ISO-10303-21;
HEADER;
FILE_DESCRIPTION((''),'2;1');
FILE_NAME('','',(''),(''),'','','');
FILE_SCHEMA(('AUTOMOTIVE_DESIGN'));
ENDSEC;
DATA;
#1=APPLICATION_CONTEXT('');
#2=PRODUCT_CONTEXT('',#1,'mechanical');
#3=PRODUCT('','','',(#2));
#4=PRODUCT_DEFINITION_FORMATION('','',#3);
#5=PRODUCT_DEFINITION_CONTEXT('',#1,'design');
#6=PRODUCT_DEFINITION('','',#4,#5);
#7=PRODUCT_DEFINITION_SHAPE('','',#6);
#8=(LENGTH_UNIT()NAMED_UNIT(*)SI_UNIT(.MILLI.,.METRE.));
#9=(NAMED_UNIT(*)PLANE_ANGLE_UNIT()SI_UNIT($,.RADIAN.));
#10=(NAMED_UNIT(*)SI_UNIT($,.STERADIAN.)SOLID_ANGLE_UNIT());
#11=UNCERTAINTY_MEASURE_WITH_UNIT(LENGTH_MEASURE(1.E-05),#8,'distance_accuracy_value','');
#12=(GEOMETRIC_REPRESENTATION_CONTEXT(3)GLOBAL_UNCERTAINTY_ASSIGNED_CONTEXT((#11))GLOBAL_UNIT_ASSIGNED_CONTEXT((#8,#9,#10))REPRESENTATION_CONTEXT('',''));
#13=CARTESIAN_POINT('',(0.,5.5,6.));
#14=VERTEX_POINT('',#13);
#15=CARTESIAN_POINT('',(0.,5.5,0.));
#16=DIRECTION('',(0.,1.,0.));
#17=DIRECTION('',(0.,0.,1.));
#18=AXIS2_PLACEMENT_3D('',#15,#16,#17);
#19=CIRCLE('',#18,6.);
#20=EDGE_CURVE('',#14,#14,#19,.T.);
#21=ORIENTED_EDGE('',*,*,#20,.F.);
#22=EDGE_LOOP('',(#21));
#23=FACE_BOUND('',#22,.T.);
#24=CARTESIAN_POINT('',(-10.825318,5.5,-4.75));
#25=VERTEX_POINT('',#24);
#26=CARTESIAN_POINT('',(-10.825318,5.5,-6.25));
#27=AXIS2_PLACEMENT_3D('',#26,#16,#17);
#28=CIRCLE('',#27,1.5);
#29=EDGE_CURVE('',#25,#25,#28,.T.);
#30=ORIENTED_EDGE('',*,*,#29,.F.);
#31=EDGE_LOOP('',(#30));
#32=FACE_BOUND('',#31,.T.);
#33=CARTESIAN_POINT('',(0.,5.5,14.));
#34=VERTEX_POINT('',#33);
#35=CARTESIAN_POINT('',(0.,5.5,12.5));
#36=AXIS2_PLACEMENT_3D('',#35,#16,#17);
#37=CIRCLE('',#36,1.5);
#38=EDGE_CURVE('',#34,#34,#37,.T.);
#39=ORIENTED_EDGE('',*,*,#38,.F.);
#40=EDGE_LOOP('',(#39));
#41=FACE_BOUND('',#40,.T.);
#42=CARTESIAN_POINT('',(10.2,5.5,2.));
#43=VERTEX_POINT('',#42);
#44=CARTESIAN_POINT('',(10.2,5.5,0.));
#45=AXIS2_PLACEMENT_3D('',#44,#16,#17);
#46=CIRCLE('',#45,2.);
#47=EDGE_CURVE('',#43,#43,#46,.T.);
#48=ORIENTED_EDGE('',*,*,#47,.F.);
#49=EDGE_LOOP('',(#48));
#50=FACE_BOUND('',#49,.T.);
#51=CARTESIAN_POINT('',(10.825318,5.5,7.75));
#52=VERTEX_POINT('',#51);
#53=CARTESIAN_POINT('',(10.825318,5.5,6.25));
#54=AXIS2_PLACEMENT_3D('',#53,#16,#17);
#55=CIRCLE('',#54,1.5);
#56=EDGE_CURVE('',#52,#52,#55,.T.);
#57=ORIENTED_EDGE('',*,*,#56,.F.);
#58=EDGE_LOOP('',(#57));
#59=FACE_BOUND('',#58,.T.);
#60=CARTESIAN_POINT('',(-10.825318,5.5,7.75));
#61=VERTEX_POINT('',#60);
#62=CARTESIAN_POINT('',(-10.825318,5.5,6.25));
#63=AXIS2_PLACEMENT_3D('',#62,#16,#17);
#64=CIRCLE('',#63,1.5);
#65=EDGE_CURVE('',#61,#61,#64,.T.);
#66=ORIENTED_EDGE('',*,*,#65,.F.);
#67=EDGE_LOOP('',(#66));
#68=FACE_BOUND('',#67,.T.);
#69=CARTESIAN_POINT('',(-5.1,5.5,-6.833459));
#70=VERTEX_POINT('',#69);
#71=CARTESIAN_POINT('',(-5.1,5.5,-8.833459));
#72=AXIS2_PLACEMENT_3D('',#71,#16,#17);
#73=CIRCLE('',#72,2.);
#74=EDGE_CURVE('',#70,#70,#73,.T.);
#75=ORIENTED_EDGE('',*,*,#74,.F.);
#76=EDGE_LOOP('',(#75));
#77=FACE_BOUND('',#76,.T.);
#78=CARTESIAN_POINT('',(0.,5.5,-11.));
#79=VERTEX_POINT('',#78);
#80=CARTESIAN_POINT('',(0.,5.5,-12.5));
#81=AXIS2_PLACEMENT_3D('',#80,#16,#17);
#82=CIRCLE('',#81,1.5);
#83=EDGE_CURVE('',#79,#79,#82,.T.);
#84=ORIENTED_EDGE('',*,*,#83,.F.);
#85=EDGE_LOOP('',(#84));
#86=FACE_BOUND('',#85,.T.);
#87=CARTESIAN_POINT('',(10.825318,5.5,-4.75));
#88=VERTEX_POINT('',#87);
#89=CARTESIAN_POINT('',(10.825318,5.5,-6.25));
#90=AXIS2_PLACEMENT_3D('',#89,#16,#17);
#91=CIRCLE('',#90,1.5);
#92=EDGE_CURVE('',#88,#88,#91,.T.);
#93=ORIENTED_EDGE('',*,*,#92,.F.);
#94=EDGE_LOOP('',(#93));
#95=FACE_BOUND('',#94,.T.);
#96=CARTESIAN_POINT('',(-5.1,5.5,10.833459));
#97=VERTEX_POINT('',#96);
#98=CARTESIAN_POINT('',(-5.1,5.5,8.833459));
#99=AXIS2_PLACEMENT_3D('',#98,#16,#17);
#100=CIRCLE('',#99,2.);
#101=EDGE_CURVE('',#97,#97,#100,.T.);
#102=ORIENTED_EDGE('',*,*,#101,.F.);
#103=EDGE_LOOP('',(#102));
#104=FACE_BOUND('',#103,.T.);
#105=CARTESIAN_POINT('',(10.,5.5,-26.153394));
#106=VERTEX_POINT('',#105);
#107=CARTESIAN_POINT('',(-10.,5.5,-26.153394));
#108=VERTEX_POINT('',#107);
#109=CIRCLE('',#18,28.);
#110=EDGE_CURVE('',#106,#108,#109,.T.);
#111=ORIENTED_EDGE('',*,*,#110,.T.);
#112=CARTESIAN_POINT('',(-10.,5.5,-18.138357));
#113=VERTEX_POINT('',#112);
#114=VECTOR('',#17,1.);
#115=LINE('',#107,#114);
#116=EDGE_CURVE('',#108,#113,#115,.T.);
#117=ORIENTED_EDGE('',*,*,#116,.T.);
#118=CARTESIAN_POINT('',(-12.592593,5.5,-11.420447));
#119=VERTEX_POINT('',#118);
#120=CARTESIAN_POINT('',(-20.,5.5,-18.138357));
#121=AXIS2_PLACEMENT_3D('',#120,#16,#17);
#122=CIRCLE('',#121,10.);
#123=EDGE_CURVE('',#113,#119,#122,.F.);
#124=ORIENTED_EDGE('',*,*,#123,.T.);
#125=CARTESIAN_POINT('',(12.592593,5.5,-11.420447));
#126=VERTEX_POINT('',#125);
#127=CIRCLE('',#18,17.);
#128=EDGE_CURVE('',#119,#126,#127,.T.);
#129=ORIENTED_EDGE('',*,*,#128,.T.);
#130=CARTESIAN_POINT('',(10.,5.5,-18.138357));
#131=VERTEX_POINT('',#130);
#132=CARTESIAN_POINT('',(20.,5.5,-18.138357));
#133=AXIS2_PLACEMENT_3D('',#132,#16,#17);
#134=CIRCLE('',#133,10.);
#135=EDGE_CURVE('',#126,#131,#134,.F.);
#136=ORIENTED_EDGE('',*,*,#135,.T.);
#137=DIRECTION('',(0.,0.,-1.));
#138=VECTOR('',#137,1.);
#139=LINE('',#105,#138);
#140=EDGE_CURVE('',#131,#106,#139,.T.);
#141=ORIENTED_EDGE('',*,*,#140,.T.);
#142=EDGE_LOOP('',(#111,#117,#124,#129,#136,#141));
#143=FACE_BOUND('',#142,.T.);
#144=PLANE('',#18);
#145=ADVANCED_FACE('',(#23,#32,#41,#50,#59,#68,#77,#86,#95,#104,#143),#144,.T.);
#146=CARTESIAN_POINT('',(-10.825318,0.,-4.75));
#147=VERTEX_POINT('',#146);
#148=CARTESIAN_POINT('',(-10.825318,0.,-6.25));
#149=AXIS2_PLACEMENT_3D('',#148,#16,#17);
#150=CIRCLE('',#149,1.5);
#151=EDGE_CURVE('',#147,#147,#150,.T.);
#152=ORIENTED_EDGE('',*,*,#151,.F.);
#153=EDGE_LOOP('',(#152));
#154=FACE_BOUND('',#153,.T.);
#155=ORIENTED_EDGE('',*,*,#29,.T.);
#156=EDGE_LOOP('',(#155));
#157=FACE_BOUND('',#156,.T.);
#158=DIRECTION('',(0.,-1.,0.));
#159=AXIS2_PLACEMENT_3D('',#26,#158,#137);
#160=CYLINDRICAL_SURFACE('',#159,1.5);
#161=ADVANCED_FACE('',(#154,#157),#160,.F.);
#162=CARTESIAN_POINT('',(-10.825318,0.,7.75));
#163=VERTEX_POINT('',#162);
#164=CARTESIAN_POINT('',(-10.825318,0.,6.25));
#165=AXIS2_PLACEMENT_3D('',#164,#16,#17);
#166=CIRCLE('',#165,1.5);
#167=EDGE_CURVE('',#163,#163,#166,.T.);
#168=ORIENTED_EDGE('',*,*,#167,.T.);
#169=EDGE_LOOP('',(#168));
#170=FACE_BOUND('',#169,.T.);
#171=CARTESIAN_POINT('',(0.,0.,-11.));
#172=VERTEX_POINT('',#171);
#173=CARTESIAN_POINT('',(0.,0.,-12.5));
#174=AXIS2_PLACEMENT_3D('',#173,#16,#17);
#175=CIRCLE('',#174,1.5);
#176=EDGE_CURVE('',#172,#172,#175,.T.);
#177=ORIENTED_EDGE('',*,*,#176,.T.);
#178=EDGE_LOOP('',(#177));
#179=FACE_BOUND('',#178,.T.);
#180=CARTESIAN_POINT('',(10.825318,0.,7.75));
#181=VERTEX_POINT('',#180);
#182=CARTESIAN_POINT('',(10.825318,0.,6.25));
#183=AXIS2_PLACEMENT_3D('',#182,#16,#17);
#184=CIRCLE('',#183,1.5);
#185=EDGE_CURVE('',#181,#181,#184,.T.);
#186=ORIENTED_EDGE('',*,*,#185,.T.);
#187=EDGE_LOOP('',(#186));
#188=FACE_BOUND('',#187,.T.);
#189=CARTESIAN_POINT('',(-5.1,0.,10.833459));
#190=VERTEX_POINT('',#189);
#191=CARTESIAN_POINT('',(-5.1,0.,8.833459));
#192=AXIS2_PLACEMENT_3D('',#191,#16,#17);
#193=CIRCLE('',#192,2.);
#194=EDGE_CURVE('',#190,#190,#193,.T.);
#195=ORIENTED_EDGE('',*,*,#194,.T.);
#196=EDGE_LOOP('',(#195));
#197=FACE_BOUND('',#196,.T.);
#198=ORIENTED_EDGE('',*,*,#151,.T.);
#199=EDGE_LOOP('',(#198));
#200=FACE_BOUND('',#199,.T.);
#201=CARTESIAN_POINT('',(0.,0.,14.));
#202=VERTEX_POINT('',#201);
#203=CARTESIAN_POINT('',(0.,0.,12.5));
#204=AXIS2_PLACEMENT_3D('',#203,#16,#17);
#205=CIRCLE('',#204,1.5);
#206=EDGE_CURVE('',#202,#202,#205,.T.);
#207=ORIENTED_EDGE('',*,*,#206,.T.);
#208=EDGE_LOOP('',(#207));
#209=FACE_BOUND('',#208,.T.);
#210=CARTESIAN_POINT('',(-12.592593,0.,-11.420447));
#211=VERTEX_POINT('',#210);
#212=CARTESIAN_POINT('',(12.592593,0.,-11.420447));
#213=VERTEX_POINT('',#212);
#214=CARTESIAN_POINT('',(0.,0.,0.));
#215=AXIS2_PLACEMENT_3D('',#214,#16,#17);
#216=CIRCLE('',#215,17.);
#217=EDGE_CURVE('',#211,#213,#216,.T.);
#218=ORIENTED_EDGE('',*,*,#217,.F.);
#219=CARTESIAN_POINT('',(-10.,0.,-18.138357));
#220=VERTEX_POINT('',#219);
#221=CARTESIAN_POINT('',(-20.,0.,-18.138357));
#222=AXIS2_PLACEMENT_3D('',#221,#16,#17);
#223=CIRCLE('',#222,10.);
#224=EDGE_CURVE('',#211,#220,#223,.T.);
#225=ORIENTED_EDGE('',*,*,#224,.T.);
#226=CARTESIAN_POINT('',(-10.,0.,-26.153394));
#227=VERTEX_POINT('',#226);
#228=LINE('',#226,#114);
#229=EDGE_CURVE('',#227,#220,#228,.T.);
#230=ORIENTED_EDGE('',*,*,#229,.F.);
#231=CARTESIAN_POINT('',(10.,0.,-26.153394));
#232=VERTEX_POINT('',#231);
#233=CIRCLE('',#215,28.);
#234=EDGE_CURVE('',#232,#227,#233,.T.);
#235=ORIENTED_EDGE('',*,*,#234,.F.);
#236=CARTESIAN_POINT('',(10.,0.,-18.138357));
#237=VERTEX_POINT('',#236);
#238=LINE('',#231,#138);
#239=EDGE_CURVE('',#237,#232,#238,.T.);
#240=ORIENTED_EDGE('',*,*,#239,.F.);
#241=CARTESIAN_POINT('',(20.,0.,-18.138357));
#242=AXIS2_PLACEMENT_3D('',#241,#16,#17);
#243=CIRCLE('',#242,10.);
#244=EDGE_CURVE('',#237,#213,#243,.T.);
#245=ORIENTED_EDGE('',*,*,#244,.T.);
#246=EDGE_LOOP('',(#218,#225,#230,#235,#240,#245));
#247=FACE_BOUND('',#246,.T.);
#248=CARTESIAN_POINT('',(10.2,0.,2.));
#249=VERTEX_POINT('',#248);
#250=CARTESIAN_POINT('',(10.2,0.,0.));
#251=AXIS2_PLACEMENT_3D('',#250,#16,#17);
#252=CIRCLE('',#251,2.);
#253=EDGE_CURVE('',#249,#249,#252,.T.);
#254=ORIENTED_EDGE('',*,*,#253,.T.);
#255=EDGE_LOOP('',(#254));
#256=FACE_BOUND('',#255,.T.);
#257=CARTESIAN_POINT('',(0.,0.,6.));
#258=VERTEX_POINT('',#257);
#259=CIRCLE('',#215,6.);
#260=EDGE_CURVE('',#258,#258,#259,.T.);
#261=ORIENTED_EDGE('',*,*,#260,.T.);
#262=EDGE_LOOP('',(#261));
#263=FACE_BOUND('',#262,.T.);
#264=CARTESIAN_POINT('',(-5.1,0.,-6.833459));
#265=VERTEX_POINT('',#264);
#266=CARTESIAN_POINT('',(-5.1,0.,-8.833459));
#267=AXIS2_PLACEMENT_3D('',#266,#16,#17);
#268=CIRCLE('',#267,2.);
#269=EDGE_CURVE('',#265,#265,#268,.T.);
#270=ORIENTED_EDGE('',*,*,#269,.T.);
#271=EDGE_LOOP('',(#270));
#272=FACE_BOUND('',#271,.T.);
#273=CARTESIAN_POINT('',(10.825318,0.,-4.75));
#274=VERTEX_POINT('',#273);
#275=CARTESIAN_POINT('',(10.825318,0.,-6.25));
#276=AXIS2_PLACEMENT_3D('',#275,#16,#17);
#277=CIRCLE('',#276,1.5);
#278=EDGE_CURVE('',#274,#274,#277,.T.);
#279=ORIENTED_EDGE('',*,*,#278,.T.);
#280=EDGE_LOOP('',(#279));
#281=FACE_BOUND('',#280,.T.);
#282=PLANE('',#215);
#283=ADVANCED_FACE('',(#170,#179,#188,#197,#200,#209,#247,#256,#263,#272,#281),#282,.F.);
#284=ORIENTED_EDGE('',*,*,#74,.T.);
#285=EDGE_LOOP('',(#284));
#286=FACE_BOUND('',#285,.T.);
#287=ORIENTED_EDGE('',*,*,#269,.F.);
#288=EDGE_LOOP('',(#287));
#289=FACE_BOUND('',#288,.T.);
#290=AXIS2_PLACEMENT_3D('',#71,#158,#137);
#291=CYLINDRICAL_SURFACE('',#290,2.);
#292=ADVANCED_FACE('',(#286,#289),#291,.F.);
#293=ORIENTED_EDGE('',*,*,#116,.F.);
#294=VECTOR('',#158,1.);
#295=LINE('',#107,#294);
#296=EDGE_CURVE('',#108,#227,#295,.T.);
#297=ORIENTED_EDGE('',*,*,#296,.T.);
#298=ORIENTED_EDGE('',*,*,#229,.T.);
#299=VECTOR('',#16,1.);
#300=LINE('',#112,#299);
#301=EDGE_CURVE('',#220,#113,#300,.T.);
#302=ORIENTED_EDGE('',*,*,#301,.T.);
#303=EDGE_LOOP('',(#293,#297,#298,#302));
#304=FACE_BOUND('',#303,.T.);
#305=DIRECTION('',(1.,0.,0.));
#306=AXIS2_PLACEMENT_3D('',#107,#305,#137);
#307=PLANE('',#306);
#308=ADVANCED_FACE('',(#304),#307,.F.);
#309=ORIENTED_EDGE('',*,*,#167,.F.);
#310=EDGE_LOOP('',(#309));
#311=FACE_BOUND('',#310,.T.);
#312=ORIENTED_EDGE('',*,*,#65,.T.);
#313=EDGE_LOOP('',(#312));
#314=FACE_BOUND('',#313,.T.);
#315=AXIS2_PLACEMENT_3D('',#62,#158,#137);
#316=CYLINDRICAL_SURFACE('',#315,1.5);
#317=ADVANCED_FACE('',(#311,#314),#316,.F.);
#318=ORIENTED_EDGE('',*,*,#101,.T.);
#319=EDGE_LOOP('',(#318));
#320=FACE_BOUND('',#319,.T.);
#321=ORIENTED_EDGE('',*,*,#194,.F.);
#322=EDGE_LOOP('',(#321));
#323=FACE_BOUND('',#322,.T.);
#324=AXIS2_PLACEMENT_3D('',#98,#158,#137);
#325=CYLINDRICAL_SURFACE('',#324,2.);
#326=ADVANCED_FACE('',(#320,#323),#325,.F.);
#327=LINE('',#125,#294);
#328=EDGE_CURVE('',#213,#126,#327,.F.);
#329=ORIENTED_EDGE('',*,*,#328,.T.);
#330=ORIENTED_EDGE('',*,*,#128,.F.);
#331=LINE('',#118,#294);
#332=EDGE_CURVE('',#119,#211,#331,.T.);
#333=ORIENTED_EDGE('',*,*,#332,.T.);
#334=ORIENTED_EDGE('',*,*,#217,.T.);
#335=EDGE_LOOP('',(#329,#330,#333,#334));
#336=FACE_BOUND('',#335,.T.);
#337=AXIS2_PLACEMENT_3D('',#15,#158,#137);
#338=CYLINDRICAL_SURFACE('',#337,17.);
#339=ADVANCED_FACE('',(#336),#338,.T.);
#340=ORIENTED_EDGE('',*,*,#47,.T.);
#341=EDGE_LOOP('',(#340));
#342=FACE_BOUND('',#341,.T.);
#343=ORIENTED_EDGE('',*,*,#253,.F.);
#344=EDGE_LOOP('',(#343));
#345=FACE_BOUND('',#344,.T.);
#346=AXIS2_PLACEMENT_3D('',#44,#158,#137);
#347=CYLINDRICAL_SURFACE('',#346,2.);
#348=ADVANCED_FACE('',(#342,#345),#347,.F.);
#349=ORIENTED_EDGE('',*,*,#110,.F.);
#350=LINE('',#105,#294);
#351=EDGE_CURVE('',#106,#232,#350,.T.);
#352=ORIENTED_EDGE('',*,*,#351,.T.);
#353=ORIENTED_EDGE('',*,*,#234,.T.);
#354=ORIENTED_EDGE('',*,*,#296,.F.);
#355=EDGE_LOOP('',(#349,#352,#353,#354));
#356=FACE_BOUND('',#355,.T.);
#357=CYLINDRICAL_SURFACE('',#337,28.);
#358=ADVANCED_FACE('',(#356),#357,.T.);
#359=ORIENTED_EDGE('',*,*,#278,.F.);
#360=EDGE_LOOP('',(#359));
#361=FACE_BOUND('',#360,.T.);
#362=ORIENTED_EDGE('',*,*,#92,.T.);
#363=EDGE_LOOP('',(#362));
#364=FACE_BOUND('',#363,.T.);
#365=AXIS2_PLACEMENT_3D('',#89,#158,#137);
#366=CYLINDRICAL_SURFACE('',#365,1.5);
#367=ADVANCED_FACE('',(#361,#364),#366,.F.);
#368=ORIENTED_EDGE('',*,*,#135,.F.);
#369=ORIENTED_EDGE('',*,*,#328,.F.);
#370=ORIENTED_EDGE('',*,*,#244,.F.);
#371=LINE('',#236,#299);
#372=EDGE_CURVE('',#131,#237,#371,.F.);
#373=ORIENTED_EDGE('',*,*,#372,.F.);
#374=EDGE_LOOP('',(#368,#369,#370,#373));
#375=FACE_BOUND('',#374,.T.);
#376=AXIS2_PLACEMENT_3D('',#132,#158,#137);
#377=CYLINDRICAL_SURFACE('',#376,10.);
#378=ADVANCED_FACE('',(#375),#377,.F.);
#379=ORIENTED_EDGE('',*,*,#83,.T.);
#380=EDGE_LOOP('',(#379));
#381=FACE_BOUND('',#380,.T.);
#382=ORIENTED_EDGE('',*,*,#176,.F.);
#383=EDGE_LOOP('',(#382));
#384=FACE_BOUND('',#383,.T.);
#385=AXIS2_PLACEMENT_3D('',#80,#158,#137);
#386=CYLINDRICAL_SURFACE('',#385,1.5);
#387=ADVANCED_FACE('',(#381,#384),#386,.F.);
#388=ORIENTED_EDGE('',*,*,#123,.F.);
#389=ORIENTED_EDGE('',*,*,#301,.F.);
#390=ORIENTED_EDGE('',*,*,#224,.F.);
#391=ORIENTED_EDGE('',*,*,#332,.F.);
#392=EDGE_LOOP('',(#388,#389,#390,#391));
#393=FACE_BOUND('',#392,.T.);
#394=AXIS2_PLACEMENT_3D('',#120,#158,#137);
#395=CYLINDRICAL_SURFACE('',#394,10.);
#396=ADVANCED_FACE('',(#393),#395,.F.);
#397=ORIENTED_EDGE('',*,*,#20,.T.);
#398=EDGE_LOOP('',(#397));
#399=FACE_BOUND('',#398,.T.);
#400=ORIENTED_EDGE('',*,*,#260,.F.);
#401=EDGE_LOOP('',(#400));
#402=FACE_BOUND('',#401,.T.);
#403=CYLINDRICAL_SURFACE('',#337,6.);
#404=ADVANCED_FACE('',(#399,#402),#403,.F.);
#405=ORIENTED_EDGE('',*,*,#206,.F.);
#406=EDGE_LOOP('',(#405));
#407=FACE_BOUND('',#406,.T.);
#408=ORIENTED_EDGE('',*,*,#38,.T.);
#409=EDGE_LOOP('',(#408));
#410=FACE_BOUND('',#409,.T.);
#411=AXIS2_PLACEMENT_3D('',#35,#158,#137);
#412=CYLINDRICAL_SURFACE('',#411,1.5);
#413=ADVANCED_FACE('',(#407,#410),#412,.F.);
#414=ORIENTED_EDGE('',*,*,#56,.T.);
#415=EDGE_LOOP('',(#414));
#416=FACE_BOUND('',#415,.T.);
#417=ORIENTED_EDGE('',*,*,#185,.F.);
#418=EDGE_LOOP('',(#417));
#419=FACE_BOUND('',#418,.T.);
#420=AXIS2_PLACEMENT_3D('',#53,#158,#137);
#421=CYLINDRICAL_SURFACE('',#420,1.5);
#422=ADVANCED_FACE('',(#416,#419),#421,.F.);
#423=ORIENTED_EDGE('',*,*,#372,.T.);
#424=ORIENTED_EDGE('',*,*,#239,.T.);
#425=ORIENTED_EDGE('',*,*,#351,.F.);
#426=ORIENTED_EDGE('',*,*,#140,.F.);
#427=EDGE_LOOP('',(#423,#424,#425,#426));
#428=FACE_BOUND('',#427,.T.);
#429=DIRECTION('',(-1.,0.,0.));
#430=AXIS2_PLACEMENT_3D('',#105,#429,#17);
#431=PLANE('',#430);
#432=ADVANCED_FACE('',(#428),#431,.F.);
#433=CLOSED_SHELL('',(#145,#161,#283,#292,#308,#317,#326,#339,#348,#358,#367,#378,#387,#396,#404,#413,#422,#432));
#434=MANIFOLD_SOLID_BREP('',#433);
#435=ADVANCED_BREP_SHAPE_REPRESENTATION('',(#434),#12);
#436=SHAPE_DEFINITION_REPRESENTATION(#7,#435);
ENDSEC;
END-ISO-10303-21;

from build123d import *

# Parameters (mm, degrees)
SKETCH_1_R      = 2
SKETCH_1_R_2    = 1.5
SKETCH_1_R_3    = 6
EXTRUDE_1_DEPTH = 5.5
FILLET_1_R      = 10


with BuildPart() as part:
    # 草图1 → 凸台-拉伸1 (new body)
    with BuildSketch(Plane(origin=(0, 0, 0), x_dir=(1, 0, 0), z_dir=(0, 1, 0))):
        with BuildLine():
            Line((-10, 26.153393661), (-10, 13.747727085))
            ThreePointArc((-10, 13.747727085), (0, -17), (10, 13.747727085))
            Line((10, 13.747727085), (10, 26.153393661))
            ThreePointArc((10, 26.153393661), (0, 28), (-10, 26.153393661))
        make_face()
        with Locations(Location((-5.1, 8.833459119, 0), (0, 0, 270))):
            Circle(SKETCH_1_R, mode=Mode.SUBTRACT)
        with Locations(Location((-10.825317547, 6.25, 0), (0, 0, 270))):
            Circle(SKETCH_1_R_2, mode=Mode.SUBTRACT)
        with Locations(Location((10.2, 0, 0), (0, 0, 270))):
            Circle(SKETCH_1_R, mode=Mode.SUBTRACT)
        with Locations(Location((-5.1, -8.833459119, 0), (0, 0, 270))):
            Circle(SKETCH_1_R, mode=Mode.SUBTRACT)
        with Locations(Location((0, 12.5, 0), (0, 0, 270))):
            Circle(SKETCH_1_R_2, mode=Mode.SUBTRACT)
        with Locations(Location((10.825317547, 6.25, 0), (0, 0, 270))):
            Circle(SKETCH_1_R_2, mode=Mode.SUBTRACT)
        with Locations(Location((10.825317547, -6.25, 0), (0, 0, 270))):
            Circle(SKETCH_1_R_2, mode=Mode.SUBTRACT)
        with Locations(Location((0, -12.5, 0), (0, 0, 270))):
            Circle(SKETCH_1_R_2, mode=Mode.SUBTRACT)
        with Locations(Location((-10.825317547, -6.25, 0), (0, 0, 270))):
            Circle(SKETCH_1_R_2, mode=Mode.SUBTRACT)
        with Locations(Location((0, 0, 0), (0, 0, 270))):
            Circle(SKETCH_1_R_3, mode=Mode.SUBTRACT)
    extrude(amount=EXTRUDE_1_DEPTH)

    # 圆角1
    fillet_1_edges = [part.edges().sort_by_distance(p)[0] for p in [
        (10, 2.75, -13.747727085),
        (-10, 2.75, -13.747727085),
    ]]
    fillet(fillet_1_edges, radius=FILLET_1_R)


solid = part.part
